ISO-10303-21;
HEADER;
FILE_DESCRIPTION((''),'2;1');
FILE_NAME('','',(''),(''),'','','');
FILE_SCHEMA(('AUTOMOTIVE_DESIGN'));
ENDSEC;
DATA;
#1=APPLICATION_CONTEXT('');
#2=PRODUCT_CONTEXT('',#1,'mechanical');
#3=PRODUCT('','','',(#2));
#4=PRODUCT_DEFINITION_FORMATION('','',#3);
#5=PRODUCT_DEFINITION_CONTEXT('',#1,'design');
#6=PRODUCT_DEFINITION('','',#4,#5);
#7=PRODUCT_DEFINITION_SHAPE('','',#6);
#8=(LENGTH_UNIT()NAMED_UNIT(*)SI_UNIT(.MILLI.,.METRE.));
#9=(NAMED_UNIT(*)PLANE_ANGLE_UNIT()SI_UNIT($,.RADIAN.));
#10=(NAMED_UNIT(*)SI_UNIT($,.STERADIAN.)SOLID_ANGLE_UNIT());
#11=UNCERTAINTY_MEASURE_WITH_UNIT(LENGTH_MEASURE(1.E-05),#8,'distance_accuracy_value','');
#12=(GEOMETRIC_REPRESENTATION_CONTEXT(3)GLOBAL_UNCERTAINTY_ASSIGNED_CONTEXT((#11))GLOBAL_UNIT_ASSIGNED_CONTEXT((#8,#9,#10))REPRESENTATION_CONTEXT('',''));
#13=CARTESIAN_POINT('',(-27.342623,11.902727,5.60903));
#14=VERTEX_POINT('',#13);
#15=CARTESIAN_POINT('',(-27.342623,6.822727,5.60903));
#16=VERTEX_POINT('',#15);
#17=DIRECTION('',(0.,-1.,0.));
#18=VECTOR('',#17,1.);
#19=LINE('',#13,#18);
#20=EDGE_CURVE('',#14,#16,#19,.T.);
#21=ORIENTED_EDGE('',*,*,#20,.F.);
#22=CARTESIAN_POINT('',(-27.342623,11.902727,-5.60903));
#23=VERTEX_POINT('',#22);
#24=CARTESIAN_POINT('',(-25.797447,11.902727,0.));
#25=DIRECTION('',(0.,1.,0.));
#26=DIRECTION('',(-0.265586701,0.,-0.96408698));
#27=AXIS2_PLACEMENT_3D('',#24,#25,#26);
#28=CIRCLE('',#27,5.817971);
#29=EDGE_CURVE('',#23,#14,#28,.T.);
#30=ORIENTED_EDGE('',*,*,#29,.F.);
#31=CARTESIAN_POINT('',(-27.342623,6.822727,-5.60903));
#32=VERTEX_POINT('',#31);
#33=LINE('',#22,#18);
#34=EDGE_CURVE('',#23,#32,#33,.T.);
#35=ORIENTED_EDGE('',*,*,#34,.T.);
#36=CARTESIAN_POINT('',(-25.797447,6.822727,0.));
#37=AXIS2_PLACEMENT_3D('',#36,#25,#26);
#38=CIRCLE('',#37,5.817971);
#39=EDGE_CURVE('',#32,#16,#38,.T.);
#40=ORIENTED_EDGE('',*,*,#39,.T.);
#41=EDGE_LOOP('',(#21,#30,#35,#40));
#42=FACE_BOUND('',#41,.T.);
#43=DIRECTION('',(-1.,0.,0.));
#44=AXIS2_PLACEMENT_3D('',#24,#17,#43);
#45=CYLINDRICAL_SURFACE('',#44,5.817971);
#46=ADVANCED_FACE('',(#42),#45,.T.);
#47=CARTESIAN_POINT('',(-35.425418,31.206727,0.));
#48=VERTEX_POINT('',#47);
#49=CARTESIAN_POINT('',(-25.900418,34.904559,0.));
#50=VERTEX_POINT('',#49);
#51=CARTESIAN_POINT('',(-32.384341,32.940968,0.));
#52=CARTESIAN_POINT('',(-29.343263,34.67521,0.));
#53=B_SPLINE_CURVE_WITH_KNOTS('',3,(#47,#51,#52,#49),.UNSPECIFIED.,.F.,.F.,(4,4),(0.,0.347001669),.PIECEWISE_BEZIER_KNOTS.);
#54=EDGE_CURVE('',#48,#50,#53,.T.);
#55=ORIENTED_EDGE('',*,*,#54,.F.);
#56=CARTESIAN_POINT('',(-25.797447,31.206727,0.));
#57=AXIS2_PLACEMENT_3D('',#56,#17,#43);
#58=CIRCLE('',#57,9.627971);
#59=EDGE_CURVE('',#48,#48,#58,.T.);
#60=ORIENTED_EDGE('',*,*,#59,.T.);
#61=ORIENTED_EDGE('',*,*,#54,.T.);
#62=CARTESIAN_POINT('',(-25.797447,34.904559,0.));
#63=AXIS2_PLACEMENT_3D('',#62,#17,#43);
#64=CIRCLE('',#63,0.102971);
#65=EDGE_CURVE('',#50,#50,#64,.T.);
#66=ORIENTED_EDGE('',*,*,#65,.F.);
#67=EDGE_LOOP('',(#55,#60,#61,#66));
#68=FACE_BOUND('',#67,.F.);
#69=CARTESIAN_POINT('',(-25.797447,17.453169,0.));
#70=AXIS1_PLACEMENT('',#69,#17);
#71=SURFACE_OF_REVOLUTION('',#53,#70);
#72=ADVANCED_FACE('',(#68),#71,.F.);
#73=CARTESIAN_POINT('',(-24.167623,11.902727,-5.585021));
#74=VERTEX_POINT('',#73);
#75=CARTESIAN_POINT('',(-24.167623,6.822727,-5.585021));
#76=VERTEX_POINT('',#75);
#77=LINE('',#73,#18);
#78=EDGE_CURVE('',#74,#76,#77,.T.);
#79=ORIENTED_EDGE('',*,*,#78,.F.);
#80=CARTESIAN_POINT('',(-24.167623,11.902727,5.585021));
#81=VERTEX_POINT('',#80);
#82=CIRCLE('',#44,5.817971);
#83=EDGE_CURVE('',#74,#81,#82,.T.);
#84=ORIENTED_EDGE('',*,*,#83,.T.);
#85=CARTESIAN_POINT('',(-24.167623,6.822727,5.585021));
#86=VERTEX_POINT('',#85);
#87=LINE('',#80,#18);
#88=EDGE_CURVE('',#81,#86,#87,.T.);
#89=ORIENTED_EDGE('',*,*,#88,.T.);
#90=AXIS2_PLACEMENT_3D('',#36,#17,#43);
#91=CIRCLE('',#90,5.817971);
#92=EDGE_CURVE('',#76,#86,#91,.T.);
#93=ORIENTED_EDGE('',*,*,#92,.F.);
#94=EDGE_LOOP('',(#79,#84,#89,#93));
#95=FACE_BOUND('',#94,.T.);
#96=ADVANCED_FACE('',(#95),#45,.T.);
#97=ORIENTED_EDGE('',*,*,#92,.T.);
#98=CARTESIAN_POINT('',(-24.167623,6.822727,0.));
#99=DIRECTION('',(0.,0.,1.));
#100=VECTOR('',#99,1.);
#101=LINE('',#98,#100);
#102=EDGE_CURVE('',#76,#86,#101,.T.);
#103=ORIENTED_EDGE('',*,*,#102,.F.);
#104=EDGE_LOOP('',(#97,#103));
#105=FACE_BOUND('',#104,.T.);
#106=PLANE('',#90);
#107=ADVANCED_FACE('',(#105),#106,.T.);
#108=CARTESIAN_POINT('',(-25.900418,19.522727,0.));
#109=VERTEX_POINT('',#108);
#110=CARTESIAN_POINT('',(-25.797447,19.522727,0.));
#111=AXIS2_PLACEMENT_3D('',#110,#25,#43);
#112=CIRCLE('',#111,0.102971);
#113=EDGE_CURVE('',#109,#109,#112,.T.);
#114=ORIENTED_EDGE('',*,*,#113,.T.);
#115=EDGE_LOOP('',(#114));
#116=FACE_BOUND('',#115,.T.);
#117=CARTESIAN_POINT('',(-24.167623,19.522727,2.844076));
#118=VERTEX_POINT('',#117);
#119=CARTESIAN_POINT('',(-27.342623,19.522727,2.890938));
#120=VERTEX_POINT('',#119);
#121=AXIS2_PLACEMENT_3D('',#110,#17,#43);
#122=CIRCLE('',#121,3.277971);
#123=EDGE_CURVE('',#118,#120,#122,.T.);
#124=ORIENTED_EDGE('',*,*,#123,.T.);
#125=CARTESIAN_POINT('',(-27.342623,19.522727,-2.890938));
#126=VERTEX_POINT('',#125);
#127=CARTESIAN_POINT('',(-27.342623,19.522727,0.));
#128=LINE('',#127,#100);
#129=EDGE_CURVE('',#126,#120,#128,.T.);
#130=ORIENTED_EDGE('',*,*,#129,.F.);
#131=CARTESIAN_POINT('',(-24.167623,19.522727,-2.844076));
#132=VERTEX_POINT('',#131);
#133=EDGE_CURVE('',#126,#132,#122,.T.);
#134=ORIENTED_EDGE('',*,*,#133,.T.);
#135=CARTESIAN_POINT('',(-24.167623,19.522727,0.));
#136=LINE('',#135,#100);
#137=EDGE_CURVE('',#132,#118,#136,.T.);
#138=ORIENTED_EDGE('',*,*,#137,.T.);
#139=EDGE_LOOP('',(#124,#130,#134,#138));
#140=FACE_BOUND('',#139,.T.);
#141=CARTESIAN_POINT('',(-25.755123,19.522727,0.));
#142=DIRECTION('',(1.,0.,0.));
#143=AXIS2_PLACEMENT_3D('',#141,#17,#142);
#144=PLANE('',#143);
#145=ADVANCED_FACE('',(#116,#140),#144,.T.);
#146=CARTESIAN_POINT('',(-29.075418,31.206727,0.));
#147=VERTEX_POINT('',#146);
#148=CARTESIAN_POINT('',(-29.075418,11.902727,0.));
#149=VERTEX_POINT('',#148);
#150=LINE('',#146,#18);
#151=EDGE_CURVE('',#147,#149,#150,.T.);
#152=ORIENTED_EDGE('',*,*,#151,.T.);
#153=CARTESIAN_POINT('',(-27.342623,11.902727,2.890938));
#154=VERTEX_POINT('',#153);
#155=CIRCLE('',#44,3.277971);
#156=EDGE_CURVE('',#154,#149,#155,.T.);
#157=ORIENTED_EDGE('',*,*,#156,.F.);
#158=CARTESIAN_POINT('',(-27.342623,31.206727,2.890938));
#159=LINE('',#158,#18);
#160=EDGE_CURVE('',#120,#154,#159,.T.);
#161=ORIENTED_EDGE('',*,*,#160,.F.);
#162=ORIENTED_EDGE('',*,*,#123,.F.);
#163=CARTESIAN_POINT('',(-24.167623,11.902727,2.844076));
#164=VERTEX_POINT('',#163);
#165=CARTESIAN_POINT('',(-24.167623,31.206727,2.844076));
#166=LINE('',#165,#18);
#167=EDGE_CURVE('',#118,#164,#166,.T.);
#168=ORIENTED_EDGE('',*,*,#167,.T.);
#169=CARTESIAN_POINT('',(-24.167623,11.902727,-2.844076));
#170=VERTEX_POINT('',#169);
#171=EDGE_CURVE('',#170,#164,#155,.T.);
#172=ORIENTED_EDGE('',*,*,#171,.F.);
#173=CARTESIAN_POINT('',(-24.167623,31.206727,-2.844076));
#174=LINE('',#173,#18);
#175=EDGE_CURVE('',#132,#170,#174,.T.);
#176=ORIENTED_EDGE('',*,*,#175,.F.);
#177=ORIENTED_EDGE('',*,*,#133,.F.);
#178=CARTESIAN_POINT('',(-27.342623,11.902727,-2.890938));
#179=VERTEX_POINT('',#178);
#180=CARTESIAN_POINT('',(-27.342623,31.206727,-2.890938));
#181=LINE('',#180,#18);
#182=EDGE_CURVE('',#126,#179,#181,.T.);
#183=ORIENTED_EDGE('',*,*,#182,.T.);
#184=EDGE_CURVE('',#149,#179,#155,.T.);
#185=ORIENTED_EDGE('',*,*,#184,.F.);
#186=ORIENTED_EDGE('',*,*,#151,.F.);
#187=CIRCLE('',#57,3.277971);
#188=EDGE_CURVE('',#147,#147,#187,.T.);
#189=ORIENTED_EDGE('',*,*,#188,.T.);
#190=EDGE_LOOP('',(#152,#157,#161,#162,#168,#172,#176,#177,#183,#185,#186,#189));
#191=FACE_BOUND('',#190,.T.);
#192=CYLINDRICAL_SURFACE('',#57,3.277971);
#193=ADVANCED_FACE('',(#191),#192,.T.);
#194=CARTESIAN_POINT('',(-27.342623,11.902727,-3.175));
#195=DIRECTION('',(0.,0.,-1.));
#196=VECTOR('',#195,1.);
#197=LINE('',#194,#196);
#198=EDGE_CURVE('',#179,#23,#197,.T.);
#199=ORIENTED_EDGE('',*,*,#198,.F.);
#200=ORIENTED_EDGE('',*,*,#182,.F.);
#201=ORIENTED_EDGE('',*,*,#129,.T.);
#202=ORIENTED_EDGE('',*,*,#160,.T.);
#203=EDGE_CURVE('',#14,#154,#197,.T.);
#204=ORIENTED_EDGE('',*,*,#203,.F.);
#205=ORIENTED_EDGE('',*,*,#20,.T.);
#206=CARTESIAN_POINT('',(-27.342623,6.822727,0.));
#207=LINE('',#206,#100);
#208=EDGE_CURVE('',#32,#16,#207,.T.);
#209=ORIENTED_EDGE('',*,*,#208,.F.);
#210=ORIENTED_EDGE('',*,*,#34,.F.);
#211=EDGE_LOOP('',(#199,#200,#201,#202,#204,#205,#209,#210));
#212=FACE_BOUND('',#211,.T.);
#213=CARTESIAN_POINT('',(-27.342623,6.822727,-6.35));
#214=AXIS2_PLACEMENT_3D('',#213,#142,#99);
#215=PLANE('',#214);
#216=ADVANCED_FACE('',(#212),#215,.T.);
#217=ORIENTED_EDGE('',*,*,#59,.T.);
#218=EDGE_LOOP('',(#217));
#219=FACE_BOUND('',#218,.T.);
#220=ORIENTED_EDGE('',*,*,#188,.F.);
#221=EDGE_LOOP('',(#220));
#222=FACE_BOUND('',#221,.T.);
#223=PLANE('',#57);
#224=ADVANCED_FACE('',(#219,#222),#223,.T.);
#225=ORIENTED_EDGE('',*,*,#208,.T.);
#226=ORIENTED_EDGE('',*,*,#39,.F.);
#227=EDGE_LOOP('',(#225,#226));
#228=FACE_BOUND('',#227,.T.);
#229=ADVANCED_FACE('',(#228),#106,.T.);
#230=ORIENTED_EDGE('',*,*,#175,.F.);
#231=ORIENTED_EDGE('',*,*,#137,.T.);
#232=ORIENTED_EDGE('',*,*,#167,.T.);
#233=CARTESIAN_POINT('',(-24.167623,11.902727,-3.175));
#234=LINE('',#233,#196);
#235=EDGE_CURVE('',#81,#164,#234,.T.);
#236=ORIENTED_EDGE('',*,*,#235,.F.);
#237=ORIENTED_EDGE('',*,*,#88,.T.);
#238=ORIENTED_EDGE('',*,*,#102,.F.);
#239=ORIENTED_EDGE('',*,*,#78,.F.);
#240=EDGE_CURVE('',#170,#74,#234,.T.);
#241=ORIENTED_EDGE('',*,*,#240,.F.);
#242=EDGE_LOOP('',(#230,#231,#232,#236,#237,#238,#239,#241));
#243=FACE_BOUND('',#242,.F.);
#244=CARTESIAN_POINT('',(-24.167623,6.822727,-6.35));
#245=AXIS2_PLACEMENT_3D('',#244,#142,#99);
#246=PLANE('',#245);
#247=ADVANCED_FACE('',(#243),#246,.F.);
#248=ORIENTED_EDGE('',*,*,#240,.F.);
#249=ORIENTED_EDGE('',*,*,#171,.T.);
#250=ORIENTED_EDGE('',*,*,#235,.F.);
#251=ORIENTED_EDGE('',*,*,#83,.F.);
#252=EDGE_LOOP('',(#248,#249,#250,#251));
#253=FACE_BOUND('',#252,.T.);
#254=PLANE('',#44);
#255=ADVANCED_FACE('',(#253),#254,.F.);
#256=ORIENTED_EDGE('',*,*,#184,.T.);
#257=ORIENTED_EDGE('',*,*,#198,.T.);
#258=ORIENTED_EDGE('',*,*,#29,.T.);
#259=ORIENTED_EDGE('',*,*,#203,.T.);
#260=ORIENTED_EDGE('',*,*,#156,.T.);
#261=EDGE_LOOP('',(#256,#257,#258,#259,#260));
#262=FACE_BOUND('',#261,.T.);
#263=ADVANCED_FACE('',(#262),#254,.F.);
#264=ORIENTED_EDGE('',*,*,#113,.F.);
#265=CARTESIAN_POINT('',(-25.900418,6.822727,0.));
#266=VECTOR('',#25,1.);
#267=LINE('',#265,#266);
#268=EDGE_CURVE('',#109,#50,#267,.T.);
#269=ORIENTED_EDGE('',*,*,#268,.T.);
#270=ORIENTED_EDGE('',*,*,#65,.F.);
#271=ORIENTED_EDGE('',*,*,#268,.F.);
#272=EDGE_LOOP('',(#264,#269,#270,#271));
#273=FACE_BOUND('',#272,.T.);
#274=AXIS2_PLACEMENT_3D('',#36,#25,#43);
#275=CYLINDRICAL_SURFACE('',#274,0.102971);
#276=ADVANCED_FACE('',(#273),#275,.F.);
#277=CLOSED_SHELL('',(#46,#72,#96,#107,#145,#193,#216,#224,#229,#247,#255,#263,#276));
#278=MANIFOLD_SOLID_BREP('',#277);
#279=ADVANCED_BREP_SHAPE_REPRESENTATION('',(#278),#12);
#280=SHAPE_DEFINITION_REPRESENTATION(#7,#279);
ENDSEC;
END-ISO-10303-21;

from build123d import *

# Parameters (mm, degrees)
F4_W     = 3.175
F4_H     = 12.7
F5_DEPTH = 12.7


with BuildPart() as f2:
    # F0 (on Top) → F2 (revolve)
    with BuildSketch(Plane.XY):
        with BuildLine():
            Line((-35.4254181015, 31.2067266416), (-29.0754181015, 31.2067266416))
            Line((-29.0754181015, 31.2067266416), (-29.0754181015, 11.9027266416))
            Line((-29.0754181015, 11.9027266416), (-31.6154181015, 11.9027266416))
            Line((-31.6154181015, 11.9027266416), (-31.6154181015, 6.8227266416))
            Line((-31.6154181015, 6.8227266416), (-25.9004181015, 6.8227266416))
            Line((-25.9004181015, 6.8227266416), (-25.9004181015, 20.6251591444))
            Line((-25.9004181015, 20.6251591444), (-25.9004181015, 34.9045594707))
            add(Edge.make_bspline(
                [(-35.4254181015, 31.2067266416), (-32.3843405864, 32.9409682845), (-29.3432630713, 34.6752099275), (-25.9004181015, 34.9045594707)],
                knots=[0, 0, 0, 0, 0.3470016692, 0.3470016692, 0.3470016692, 0.3470016692], degree=3))
        make_face()
    revolve(axis=Axis((-25.7974471897, 17.4531694502, 0), (0, -1, 0)))

    # F4 (on face) → F5 (cut)
    with BuildSketch(Plane.XZ.offset(-6.8227266416)):
        with Locations((-25.7551228888, 0)):
            Rectangle(F4_W, F4_H)
    extrude(amount=-F5_DEPTH, mode=Mode.SUBTRACT)


solid = f2.part
